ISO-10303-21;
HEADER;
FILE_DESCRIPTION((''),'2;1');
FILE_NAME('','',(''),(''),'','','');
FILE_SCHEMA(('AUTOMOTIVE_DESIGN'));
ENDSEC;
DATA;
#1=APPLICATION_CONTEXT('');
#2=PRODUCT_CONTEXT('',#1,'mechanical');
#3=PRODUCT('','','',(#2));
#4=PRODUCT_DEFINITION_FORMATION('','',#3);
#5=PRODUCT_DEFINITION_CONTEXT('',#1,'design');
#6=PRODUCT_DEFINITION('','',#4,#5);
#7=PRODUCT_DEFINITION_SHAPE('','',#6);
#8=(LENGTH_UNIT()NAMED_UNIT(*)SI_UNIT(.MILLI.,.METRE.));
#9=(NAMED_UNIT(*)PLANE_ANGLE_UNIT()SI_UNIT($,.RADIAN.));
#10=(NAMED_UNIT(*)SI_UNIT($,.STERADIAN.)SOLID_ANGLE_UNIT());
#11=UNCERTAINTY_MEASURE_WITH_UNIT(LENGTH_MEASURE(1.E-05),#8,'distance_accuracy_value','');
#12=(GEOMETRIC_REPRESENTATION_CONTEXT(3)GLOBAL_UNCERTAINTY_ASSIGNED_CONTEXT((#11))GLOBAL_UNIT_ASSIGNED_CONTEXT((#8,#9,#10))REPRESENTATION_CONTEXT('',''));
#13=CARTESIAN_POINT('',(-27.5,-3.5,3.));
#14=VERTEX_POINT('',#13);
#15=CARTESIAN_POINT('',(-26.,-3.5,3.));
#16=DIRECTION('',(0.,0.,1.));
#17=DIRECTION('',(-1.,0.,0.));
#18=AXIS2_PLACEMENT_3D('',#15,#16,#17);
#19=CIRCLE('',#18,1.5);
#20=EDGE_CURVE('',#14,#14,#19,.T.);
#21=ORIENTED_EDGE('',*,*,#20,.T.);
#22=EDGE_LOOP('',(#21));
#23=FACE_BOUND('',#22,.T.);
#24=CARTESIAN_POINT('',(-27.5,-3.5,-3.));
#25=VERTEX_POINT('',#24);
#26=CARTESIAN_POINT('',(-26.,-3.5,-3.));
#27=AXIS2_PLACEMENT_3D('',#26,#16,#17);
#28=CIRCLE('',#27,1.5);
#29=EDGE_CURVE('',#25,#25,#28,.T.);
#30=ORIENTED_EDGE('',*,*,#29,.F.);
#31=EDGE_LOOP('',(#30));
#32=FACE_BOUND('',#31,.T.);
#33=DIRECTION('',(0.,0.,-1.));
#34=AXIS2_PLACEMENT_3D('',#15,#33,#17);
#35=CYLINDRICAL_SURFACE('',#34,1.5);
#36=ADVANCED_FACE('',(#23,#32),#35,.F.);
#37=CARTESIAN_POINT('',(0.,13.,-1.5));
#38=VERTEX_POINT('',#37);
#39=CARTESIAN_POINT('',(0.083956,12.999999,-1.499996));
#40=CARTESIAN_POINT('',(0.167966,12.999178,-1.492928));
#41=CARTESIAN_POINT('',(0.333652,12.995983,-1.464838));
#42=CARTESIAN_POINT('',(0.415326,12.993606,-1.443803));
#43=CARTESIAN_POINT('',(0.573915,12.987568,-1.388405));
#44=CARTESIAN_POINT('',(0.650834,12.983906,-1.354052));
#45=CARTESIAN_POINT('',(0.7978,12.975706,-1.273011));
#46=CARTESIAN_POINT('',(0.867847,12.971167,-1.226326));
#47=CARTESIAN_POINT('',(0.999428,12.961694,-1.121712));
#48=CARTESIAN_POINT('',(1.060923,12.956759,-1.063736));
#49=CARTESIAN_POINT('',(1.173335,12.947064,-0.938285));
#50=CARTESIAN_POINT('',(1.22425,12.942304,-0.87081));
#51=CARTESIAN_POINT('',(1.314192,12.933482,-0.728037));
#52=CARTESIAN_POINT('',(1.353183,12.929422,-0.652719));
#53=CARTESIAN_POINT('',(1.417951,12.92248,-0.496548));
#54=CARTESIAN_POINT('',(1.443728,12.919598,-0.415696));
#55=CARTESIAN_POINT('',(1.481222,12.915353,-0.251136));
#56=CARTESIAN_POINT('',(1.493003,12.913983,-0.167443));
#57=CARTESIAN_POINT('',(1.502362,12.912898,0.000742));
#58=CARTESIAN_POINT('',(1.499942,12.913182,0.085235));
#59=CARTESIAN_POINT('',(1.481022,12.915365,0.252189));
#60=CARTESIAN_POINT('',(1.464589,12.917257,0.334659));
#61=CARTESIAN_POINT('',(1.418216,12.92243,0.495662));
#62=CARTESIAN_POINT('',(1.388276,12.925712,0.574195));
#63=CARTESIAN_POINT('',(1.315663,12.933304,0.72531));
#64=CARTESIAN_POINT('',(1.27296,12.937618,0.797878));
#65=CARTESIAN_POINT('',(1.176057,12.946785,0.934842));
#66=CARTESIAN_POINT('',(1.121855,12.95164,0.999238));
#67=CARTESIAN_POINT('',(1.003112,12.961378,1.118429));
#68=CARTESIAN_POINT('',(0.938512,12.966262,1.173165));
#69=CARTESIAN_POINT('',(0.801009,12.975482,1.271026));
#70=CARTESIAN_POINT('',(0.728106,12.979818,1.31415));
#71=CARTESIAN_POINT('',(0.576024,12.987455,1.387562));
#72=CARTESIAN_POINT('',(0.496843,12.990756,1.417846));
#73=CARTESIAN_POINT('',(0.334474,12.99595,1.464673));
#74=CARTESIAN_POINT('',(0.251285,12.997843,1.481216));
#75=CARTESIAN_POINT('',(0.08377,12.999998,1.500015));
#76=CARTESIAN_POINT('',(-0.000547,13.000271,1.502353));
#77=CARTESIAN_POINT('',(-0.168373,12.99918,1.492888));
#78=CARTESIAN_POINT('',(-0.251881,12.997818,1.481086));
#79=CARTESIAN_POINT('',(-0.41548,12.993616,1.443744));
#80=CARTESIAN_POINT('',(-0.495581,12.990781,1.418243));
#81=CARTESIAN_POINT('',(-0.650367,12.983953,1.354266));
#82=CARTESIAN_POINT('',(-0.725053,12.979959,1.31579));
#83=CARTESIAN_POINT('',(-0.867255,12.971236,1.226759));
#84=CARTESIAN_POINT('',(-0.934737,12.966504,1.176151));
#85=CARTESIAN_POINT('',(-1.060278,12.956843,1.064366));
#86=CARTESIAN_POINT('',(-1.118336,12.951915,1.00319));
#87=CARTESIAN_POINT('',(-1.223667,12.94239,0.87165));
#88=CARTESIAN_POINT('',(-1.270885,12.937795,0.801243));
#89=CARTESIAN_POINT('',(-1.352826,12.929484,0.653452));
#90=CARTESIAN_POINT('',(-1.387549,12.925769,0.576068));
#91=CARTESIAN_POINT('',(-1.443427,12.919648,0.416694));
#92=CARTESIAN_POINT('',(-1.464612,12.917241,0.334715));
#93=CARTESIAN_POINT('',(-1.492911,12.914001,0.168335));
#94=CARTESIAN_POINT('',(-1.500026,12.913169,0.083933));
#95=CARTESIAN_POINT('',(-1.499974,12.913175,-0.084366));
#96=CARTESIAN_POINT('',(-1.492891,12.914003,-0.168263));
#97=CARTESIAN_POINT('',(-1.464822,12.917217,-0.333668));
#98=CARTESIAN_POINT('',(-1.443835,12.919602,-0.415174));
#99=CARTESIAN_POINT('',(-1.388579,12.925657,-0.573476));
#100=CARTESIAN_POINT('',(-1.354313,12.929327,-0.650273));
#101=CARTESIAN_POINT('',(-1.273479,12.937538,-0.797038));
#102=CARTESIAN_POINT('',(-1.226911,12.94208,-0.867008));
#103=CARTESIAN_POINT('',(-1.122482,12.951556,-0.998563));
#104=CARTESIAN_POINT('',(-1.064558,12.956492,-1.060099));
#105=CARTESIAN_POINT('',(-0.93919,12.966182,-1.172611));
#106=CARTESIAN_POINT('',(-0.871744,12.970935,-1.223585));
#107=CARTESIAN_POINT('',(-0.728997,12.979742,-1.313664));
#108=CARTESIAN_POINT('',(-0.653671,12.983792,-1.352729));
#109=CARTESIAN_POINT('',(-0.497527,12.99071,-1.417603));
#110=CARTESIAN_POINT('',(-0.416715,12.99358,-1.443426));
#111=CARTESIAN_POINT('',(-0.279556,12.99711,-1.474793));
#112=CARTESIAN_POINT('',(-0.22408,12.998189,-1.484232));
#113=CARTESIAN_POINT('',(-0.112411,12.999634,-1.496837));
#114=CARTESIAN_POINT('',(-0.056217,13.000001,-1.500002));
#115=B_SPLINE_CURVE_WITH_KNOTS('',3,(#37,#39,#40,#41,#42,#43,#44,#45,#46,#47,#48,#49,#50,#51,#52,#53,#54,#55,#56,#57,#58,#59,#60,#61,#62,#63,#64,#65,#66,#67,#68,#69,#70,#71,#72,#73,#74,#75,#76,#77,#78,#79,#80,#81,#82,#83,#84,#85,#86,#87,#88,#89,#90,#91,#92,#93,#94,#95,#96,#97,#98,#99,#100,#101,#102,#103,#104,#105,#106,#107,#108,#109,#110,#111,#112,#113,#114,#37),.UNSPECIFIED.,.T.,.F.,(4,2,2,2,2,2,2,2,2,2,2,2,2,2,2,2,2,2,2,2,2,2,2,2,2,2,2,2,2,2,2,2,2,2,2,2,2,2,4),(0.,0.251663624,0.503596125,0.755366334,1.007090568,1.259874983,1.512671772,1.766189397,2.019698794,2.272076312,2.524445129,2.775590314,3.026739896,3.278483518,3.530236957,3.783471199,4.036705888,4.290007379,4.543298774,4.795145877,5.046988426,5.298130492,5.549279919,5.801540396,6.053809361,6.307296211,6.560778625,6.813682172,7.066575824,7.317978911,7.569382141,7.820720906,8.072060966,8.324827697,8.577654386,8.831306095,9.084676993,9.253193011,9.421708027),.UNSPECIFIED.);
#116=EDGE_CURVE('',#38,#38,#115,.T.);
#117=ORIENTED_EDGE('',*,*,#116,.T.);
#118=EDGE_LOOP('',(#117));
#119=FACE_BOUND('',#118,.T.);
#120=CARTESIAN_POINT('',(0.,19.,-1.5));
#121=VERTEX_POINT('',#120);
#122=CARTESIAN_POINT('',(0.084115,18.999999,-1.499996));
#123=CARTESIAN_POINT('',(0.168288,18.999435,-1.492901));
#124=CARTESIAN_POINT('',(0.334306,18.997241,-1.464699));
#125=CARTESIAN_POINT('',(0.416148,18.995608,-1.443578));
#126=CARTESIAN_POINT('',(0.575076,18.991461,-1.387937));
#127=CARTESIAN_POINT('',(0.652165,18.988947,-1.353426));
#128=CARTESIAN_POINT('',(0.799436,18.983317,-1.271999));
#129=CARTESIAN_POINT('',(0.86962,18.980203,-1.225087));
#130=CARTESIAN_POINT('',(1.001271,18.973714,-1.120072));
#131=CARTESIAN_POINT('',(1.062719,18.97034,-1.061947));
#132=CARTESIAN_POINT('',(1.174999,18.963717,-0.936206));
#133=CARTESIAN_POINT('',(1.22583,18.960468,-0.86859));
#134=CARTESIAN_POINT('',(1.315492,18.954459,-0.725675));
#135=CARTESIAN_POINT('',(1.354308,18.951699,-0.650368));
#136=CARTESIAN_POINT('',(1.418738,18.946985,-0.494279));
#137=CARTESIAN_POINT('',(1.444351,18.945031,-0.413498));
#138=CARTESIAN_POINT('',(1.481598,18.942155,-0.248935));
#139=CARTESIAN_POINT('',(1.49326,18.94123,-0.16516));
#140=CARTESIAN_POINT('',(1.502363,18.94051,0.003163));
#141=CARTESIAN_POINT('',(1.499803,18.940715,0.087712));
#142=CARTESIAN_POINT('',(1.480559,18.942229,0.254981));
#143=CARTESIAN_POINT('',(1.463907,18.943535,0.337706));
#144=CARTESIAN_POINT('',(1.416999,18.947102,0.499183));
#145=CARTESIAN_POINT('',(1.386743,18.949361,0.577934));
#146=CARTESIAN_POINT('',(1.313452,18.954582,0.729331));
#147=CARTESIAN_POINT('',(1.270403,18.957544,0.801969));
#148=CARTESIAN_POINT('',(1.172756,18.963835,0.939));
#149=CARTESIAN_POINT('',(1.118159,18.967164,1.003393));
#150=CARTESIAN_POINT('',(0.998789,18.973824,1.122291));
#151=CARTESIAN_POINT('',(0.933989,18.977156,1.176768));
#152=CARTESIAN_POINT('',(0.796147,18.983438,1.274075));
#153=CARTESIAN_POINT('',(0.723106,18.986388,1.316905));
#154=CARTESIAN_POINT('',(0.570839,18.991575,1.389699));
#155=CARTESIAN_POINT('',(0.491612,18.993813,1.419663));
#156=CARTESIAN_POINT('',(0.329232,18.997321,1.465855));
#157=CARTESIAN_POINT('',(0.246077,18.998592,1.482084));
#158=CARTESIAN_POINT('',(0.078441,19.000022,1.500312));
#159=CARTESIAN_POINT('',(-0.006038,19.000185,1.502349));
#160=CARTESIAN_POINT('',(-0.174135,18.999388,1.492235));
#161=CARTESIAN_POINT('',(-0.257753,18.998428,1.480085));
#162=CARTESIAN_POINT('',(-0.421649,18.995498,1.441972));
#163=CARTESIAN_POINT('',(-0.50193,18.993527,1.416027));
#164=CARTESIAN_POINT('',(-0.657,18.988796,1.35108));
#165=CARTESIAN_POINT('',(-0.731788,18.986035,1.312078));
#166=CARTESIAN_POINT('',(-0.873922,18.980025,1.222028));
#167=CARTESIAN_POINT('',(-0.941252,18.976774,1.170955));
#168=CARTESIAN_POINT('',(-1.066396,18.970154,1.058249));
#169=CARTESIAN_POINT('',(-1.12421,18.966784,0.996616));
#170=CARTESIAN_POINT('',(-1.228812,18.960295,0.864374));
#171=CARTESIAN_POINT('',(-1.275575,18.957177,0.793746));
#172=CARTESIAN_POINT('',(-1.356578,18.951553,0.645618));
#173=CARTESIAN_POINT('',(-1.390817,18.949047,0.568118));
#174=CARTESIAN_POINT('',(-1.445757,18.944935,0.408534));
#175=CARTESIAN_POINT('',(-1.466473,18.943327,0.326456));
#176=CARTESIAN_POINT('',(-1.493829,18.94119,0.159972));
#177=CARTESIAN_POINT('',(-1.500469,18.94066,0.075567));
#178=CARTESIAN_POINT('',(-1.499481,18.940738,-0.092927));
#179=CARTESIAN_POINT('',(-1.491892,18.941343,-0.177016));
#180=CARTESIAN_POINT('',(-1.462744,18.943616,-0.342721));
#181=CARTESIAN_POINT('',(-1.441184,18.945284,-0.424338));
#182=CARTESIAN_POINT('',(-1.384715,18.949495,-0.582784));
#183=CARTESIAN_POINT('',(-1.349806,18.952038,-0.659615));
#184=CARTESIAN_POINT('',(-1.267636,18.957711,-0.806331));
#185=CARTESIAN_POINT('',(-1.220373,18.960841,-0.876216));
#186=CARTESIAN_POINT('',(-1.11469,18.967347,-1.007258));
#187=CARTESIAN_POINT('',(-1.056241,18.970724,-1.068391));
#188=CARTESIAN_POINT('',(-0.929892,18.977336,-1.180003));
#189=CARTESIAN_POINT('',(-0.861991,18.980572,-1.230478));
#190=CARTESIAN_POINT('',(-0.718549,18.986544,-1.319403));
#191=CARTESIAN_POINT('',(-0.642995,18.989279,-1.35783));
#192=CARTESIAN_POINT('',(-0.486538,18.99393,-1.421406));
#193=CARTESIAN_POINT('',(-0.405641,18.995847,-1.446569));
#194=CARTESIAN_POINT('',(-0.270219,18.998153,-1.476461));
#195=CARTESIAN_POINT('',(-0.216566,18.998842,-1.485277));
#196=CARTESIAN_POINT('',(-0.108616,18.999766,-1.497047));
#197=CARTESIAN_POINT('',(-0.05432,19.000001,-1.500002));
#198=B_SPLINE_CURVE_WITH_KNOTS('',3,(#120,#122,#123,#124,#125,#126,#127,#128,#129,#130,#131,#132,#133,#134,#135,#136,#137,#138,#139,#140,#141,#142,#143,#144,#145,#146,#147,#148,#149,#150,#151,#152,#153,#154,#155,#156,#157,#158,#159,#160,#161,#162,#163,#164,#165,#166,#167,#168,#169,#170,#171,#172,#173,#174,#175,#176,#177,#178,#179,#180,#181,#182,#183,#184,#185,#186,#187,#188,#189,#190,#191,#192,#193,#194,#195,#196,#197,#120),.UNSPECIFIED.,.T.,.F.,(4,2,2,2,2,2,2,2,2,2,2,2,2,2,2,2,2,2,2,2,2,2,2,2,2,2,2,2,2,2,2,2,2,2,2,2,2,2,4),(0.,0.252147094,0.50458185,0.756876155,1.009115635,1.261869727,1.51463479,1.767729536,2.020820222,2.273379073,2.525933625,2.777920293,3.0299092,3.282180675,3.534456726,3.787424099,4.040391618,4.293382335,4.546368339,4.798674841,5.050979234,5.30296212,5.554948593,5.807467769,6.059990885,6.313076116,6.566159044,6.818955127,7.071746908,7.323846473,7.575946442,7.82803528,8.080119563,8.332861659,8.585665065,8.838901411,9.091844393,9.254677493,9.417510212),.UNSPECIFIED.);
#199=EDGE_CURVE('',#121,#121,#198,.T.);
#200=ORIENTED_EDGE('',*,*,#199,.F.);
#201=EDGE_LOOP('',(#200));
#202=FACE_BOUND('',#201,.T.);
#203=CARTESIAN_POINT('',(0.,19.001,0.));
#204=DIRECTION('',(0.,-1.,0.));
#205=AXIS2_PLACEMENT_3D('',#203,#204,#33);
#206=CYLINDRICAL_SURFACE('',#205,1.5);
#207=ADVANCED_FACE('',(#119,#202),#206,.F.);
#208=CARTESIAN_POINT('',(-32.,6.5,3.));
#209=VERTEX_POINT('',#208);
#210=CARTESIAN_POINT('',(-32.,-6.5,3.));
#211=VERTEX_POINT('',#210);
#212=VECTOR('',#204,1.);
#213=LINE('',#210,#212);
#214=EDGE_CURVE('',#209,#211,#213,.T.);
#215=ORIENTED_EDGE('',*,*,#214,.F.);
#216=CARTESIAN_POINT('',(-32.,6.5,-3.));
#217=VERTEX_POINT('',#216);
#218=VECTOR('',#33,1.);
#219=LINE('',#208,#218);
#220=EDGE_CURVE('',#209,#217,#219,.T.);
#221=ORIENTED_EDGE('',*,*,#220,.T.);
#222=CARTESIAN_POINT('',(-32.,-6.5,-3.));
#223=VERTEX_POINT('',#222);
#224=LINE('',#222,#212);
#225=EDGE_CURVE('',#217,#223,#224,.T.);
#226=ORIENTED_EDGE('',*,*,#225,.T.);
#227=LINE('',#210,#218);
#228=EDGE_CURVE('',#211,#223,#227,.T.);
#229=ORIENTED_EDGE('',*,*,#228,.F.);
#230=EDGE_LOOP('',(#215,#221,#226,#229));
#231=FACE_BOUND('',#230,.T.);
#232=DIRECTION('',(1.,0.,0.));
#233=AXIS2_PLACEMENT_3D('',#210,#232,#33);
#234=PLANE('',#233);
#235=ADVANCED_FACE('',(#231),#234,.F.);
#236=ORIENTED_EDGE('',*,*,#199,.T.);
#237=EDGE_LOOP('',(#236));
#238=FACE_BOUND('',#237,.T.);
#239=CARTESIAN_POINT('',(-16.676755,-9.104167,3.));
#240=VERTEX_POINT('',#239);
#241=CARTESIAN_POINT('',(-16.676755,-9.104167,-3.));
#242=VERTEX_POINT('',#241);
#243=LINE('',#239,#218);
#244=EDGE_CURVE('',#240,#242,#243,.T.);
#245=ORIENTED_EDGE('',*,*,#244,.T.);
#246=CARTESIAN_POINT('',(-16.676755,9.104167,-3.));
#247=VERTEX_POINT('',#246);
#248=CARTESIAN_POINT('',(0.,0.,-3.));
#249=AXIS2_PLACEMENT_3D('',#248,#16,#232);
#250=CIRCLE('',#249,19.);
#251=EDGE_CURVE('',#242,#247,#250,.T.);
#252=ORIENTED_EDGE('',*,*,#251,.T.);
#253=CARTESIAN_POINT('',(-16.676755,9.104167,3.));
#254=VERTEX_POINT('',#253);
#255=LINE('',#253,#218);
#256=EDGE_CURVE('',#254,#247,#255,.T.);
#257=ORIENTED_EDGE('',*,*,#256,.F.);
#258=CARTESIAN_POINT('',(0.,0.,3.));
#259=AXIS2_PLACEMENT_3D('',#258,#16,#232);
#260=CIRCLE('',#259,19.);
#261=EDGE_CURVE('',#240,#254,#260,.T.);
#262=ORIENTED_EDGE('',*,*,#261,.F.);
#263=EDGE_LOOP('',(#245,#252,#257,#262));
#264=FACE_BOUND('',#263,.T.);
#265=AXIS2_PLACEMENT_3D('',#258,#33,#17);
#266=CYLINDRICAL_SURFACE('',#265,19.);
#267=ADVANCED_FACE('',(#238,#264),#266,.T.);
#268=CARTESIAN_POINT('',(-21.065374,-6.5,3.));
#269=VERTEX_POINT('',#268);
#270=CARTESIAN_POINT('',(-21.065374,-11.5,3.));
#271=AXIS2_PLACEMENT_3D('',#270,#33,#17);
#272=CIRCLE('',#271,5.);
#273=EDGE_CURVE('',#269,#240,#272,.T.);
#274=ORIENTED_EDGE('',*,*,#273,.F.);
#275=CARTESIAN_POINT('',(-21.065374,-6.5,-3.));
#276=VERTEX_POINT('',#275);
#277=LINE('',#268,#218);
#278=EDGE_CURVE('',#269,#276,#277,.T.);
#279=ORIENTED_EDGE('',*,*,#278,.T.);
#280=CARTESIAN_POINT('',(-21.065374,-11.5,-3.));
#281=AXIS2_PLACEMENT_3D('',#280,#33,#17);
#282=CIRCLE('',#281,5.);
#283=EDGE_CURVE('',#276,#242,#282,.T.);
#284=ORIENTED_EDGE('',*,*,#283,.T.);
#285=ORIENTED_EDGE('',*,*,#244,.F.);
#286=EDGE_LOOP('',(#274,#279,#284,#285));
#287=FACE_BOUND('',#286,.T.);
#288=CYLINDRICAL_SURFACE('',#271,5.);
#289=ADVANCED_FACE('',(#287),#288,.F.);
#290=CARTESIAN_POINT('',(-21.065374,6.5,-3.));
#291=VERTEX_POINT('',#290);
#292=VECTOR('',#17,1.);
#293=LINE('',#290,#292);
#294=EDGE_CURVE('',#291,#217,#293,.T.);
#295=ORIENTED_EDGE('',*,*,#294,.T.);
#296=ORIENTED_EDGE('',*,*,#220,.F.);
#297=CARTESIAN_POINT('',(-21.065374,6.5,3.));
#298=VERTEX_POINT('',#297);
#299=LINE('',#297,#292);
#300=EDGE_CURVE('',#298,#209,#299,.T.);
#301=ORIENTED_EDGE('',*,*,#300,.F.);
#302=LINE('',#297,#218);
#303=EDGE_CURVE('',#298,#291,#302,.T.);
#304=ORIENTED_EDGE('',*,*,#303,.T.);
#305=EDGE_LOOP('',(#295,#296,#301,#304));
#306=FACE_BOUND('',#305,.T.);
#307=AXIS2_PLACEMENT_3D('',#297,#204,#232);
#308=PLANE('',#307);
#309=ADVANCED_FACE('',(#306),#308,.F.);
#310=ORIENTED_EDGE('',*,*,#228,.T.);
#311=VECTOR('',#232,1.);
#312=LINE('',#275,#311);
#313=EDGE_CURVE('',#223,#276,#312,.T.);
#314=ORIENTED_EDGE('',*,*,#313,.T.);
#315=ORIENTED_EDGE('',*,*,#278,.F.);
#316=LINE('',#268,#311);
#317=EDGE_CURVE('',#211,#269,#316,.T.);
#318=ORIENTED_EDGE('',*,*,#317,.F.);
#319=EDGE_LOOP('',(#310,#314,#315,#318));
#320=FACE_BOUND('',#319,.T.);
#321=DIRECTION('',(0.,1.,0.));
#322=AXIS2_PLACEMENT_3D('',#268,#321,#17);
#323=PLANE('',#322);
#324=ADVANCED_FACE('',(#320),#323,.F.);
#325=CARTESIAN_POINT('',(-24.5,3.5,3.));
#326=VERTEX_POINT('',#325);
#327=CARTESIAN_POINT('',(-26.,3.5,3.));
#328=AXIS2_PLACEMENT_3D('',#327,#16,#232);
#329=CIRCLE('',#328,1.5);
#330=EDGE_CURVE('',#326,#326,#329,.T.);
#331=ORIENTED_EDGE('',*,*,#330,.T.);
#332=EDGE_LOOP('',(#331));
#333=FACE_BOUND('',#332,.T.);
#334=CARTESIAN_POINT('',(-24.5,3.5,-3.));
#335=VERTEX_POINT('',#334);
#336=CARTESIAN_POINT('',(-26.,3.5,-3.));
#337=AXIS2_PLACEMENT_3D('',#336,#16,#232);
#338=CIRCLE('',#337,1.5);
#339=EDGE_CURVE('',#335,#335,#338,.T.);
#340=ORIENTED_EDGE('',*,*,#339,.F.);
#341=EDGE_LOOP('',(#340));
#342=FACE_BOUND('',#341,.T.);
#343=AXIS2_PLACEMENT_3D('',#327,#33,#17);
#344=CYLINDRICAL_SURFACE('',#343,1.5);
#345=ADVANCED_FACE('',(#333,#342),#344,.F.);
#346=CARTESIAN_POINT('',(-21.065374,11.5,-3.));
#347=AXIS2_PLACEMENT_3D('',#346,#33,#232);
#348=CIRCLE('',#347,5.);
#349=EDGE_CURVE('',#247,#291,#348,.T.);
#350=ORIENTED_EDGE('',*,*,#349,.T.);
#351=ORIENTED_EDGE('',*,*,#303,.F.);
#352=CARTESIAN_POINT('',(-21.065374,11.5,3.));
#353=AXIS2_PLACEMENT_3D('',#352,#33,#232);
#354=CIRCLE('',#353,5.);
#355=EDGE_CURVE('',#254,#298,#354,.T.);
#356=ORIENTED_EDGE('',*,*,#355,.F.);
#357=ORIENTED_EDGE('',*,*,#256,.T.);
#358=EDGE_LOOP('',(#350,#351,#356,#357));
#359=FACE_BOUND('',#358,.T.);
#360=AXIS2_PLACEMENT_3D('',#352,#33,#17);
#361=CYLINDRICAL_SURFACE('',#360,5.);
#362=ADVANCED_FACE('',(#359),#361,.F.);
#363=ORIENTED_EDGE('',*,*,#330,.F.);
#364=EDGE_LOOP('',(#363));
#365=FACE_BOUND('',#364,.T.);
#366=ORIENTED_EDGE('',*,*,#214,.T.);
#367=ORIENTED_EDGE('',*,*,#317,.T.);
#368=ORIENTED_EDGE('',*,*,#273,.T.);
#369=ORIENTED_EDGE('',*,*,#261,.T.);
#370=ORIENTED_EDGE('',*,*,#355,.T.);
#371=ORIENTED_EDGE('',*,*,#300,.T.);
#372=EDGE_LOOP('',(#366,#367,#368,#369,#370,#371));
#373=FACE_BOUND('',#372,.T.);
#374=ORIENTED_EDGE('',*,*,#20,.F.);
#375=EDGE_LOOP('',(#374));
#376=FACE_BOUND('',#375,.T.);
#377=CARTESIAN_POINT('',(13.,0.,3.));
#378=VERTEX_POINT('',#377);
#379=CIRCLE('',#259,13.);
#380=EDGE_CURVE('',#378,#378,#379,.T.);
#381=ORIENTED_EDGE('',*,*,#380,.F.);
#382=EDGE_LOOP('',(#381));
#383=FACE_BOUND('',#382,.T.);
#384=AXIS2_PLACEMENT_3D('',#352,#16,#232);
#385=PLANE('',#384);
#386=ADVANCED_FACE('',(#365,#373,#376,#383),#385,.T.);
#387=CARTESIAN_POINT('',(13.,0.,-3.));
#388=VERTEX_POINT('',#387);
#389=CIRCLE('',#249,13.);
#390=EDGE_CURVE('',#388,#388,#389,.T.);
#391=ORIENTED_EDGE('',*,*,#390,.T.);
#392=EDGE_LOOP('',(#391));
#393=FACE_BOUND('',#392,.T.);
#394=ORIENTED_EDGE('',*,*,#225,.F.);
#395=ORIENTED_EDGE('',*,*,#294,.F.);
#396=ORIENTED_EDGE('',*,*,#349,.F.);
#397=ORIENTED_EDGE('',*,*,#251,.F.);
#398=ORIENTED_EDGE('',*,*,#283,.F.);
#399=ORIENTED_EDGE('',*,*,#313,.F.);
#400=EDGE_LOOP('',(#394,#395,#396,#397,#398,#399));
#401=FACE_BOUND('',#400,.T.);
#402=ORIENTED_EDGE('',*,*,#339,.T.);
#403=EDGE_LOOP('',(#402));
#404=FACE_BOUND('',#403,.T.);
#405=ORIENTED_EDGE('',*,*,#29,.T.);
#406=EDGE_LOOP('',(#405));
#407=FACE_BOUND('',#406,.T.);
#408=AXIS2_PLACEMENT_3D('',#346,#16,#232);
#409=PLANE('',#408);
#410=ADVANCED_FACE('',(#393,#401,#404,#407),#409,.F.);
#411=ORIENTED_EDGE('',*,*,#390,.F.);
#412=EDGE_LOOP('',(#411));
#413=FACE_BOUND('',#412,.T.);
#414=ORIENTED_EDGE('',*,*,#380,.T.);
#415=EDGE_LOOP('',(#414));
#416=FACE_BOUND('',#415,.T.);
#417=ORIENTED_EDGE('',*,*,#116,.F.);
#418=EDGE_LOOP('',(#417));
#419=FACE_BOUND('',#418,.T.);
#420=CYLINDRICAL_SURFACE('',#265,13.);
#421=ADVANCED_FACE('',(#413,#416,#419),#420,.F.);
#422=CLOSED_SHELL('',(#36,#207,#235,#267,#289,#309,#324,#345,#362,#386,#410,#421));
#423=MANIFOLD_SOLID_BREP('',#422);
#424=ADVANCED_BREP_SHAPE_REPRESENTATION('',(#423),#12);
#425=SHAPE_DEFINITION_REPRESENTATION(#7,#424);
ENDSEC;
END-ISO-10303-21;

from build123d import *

# Parameters (mm, degrees)
SKETCH1_R               = 13
SKETCH1_R_2             = 1.5
BOSS_EXTRUDE1_DEPTH     = 3
CUT_EXTRUDE1_REACH      = 39.336
CUT_EXTRUDE1_END_RADIUS = 19
SKETCH2_R               = 1.5


with BuildPart() as part:
    # Sketch1 → Boss-Extrude1 (new, symmetric)
    with BuildSketch(Plane.XY):
        with BuildLine():
            Line((-21.065374433, 6.5), (-32, 6.5))
            Line((-32, 6.5), (-32, -6.5))
            Line((-32, -6.5), (-21.065374433, -6.5))
            ThreePointArc((-21.065374433, -6.5), (-18.513822618, -7.20004845), (-16.676754759, -9.104166667))
            ThreePointArc((-16.676754759, -9.104166667), (19, 0), (-16.676754759, 9.104166667))
            ThreePointArc((-16.676754759, 9.104166667), (-18.513822618, 7.20004845), (-21.065374433, 6.5))
        make_face()
        Circle(SKETCH1_R, mode=Mode.SUBTRACT)
        with Locations((-26, 3.5)):
            Circle(SKETCH1_R_2, mode=Mode.SUBTRACT)
        with Locations(Location((-26, -3.5, 0), (0, 0, 180))):
            Circle(SKETCH1_R_2, mode=Mode.SUBTRACT)
    extrude(amount=BOSS_EXTRUDE1_DEPTH, both=True)

    # Cut-Extrude1: up to this cylinder (the profile starts inside it)
    cut_extrude1_end = Plane(origin=(0, 0, 0), z_dir=(0, 0, -1)) * Cylinder(CUT_EXTRUDE1_END_RADIUS, 117.672, mode=Mode.PRIVATE)
    # Sketch2 → Cut-Extrude1 (cut, up to the surface)
    with BuildSketch(Plane(origin=(0, 0, 0), x_dir=(1, 0, 0), z_dir=(0, 1, 0)), mode=Mode.PRIVATE) as cut_extrude1_sk1:
        with Locations(Location((0, 0, 0), (0, 0, 90))):
            Circle(SKETCH2_R)
    cut_extrude1_tool1 = extrude(cut_extrude1_sk1.sketch, amount=CUT_EXTRUDE1_REACH, mode=Mode.PRIVATE) & cut_extrude1_end
    add(cut_extrude1_tool1.solids().sort_by_distance((0, 0, 0))[0], mode=Mode.SUBTRACT)


solid = part.part
